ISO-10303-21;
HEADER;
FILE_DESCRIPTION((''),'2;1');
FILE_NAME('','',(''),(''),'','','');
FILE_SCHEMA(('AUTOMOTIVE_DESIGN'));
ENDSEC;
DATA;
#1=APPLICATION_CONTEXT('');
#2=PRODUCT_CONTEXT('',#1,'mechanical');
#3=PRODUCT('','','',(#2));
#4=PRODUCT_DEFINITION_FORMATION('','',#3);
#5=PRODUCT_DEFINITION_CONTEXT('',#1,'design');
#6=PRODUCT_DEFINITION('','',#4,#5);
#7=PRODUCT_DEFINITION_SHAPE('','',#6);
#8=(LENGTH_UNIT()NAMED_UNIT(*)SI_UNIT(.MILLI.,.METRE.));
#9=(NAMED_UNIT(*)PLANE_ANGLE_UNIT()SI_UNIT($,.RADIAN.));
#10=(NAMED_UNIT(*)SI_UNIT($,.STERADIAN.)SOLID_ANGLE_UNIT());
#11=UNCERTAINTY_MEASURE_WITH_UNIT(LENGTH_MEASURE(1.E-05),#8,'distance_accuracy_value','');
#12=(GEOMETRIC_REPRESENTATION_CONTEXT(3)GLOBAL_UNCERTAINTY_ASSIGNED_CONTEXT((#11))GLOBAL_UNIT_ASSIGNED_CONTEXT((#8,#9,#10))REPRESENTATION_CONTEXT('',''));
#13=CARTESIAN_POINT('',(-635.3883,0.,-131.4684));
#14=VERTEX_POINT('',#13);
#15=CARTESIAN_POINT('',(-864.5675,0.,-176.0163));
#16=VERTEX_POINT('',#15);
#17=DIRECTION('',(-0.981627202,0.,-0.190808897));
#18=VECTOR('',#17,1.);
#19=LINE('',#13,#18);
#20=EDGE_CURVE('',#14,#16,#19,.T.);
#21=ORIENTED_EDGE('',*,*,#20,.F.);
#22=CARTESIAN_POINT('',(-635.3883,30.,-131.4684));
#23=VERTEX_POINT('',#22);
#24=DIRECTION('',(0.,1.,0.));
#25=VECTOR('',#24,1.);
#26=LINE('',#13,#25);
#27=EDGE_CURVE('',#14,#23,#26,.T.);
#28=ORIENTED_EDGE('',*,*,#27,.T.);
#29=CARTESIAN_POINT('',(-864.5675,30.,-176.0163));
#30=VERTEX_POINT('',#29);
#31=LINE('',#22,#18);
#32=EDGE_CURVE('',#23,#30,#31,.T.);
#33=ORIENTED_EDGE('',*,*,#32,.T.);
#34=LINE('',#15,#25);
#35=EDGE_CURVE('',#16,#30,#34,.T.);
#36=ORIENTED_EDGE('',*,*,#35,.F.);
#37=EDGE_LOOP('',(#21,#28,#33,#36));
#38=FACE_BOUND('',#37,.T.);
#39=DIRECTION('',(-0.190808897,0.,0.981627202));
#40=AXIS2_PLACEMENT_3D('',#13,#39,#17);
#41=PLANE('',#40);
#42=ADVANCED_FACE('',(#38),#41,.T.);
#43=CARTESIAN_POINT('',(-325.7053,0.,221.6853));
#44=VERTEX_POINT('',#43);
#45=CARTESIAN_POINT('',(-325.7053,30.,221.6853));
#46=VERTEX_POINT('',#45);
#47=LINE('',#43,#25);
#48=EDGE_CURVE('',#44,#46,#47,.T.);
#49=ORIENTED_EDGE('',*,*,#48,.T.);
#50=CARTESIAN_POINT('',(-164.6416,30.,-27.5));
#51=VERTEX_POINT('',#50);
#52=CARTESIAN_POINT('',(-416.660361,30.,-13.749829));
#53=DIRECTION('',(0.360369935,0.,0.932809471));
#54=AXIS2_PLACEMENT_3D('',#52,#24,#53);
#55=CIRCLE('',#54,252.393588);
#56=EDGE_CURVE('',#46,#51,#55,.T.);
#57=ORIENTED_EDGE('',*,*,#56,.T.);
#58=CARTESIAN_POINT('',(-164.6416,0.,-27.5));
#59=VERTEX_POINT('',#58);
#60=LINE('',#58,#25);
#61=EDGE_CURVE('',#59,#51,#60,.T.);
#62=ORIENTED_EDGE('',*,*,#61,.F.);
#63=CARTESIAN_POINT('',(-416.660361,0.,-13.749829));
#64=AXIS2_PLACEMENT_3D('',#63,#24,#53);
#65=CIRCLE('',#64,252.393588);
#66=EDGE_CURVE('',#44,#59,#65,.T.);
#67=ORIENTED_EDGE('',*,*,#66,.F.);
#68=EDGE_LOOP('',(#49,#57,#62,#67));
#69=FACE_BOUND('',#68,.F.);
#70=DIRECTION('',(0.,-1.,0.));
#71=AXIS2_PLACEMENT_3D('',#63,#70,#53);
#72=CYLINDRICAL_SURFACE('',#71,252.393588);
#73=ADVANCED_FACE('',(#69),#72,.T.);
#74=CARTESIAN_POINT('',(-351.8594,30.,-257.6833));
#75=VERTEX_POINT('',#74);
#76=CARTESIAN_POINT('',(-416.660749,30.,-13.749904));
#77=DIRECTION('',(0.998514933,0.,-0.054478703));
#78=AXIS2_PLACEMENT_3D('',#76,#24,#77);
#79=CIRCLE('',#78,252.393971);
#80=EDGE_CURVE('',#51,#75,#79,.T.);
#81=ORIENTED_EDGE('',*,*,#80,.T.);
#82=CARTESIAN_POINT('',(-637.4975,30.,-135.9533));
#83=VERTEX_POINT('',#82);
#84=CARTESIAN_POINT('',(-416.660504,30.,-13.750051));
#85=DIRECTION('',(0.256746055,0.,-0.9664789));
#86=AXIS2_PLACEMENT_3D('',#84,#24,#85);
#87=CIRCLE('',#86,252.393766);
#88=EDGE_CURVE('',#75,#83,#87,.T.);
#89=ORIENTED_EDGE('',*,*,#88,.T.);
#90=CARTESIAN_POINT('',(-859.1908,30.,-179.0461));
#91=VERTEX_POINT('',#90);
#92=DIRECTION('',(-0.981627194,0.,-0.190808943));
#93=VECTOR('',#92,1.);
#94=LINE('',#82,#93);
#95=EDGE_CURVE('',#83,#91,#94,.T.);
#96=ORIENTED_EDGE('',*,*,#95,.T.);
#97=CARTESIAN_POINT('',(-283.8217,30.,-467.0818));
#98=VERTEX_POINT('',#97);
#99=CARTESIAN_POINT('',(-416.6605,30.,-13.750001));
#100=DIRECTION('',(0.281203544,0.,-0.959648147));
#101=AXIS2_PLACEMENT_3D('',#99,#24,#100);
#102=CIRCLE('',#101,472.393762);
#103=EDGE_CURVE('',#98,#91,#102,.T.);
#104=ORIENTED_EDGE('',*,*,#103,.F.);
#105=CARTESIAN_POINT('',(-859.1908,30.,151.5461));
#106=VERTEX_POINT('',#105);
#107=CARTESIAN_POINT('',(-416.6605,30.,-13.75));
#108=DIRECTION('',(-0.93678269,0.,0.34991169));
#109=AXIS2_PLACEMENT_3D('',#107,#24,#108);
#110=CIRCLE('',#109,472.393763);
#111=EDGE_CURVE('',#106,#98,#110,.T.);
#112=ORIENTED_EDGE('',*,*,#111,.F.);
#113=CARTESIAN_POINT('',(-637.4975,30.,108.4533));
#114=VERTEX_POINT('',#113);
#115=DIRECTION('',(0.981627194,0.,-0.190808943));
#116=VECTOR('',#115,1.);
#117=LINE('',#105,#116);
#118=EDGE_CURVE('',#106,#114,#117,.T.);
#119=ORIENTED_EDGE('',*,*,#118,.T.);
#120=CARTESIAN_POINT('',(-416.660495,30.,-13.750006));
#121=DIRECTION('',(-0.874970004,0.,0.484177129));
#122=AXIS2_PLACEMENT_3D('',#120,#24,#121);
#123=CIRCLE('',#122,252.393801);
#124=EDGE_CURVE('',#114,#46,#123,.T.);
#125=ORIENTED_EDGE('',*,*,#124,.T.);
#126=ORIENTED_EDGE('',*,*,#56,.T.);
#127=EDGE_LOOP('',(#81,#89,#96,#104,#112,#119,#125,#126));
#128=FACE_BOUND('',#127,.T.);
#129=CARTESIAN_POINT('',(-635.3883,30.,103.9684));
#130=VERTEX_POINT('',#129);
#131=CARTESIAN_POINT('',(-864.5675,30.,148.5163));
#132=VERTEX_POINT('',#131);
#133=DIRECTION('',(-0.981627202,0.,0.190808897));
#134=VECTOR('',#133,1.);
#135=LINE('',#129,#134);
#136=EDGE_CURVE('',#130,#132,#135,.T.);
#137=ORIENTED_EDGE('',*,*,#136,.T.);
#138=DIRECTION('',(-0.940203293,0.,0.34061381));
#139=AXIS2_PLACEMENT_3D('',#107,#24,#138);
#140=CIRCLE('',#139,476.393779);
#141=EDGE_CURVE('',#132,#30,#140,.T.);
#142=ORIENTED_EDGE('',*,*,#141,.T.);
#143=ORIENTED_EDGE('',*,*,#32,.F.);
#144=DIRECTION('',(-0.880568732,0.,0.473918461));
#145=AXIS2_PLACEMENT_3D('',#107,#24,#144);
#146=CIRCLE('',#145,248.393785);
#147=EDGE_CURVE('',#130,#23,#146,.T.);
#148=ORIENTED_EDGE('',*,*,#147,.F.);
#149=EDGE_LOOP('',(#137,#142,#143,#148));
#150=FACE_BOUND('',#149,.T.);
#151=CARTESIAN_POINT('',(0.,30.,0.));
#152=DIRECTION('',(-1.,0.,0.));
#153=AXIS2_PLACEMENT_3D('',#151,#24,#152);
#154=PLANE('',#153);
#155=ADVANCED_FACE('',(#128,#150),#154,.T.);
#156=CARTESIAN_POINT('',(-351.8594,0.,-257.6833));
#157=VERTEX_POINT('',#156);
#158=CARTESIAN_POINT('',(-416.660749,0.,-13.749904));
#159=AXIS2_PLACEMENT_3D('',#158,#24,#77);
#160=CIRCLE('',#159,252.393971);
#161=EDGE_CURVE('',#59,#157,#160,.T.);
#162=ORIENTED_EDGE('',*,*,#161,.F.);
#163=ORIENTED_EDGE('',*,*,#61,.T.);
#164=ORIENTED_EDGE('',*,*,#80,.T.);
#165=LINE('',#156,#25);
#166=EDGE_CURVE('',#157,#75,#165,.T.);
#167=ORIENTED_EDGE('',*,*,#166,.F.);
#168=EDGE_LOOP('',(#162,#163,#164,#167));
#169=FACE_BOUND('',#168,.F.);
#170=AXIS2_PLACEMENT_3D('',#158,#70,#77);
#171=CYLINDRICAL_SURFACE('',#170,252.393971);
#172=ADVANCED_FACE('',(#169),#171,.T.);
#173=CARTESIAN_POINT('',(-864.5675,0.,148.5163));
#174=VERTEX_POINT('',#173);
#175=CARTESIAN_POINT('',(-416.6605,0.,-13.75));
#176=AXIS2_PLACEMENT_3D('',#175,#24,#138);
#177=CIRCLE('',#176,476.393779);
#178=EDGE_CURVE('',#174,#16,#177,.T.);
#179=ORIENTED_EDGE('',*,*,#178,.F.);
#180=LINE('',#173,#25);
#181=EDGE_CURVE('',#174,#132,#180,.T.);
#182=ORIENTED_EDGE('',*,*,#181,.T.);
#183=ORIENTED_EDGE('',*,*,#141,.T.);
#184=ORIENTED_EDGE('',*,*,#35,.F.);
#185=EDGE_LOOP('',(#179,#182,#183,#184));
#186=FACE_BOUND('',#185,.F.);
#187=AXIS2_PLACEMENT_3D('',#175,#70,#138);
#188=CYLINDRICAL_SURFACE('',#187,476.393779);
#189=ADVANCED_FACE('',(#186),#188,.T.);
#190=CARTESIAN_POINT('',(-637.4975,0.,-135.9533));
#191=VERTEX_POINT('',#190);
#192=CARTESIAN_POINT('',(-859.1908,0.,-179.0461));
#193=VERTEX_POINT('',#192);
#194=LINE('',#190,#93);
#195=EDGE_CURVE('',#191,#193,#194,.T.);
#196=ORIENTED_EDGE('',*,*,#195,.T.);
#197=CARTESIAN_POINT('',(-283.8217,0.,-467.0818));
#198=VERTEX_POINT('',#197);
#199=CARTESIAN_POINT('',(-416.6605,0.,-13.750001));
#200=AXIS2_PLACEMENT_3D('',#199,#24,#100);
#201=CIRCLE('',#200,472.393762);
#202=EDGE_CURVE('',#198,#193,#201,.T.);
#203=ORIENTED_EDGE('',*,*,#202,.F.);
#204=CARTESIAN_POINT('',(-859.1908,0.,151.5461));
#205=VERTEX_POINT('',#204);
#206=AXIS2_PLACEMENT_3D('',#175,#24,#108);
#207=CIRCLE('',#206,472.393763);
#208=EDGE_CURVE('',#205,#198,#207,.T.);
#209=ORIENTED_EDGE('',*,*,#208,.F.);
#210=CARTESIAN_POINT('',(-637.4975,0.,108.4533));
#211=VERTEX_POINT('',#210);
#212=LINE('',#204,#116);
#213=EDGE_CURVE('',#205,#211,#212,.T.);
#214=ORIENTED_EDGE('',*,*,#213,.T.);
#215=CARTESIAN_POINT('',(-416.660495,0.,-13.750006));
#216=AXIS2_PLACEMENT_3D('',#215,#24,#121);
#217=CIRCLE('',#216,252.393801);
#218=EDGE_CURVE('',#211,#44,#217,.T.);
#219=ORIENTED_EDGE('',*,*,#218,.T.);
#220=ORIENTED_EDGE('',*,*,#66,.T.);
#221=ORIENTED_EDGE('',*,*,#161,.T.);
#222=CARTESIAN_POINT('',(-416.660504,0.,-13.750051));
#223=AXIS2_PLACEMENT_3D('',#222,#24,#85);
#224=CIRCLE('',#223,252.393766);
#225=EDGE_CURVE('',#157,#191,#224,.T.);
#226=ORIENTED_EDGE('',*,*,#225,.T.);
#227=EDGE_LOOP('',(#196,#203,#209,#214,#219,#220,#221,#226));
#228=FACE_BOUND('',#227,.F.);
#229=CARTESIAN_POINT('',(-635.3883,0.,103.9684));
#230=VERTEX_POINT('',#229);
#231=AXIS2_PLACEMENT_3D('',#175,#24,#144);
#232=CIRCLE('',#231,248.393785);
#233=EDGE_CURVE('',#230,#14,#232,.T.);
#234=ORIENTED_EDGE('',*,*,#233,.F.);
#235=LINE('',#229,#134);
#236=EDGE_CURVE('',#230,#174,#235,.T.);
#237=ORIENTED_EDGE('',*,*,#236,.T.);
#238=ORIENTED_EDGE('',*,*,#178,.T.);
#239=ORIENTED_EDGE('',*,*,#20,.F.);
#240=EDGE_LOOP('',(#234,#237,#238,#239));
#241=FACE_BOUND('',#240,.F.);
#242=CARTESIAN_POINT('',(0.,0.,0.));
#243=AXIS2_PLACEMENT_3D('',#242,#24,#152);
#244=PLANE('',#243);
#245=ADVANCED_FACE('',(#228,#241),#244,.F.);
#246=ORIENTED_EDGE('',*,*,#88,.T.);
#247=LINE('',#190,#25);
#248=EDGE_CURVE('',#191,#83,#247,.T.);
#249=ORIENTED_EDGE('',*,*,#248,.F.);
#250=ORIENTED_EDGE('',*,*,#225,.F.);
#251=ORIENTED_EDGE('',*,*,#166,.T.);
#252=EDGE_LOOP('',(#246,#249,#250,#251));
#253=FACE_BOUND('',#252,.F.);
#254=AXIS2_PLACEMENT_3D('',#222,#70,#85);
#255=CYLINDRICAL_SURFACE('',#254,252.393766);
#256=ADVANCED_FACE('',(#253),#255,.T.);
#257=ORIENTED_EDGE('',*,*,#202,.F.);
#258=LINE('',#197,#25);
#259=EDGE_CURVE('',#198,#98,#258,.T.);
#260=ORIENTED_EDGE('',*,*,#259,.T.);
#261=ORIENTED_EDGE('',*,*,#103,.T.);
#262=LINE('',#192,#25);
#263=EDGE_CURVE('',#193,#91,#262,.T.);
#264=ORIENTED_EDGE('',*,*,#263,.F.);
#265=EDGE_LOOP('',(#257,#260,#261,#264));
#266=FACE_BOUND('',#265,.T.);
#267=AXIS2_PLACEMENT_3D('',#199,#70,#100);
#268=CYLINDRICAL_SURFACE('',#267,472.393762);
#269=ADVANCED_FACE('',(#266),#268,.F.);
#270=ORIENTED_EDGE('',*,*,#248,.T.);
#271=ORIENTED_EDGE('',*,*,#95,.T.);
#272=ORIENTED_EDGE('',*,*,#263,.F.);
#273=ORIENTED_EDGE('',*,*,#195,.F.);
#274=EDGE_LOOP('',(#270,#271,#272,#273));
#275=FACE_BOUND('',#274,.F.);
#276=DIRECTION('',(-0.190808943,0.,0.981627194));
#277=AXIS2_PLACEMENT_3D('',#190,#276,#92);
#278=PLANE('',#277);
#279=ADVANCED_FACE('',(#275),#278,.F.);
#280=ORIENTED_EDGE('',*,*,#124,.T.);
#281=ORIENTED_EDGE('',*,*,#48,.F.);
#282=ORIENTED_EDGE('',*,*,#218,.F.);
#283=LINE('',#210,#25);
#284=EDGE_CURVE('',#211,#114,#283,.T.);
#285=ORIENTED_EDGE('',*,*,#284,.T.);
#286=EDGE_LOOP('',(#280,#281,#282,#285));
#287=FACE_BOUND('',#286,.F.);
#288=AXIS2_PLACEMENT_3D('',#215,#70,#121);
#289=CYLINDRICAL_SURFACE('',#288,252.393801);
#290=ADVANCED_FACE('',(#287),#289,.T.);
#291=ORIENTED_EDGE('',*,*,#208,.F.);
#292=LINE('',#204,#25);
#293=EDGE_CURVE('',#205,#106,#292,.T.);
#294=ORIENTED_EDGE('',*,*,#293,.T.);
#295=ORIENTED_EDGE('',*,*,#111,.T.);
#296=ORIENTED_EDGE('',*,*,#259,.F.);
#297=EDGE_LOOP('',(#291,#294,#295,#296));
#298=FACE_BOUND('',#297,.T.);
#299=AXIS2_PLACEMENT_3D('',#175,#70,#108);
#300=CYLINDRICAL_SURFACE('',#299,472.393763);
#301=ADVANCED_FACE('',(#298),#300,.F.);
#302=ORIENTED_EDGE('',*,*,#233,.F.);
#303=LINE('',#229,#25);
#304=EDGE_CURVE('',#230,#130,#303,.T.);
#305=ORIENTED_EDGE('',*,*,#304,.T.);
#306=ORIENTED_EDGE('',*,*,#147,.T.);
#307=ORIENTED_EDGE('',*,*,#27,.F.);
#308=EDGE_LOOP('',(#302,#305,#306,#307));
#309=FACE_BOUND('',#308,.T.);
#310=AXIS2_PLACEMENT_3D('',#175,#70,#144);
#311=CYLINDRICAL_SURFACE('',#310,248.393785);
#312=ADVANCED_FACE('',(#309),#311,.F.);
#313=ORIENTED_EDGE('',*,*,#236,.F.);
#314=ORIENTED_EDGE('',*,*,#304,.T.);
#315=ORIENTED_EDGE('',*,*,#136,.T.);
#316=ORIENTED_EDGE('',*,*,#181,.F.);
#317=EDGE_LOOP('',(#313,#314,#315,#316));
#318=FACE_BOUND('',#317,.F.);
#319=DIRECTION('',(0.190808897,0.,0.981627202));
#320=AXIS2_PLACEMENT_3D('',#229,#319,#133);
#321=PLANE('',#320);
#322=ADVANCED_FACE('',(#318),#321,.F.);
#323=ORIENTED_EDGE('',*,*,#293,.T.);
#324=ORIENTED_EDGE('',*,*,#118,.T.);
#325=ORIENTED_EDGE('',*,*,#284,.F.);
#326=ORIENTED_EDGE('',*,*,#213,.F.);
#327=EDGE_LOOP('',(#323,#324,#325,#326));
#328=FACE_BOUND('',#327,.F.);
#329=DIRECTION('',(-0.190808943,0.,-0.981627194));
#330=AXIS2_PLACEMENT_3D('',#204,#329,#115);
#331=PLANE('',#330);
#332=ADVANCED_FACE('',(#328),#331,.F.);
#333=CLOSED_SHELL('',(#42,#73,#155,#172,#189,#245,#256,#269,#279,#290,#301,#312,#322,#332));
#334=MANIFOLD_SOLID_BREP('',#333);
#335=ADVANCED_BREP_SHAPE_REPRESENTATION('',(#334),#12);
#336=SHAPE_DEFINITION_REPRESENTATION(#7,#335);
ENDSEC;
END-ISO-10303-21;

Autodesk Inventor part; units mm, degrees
ref_plane "YZ Plane" through (0, 0, 0) normal (1, 0, 0) x (0, 1, 0)
ref_plane "XZ Plane" through (0, 0, 0) normal (0, 1, 0) x (-1, 0, 0)
ref_plane "XY Plane" through (0, 0, 0) normal (0, 0, 1) x (1, 0, 0)
sketch "Sketch1" plane through (0, 0, 0) normal (0, 1, 0) x (-1, 0, 0)
  arc A0 (164.6416, -27.5) -> (351.8594, -257.6833) centre (416.6605, -13.75) ccw
  arc A1 (351.8594, -257.6833) -> (637.4975, -135.9533) centre (416.6605, -13.75) ccw
  arc A2 (637.4975, 108.4533) -> (325.7053, 221.6853) centre (416.6605, -13.75) ccw
  arc A3 (325.7053, 221.6853) -> (164.6416, -27.5) centre (416.6605, -13.75) ccw
  line L0 (859.1908, 151.5461) -> (637.4975, 108.4533)
  line L1 (637.4975, -135.9533) -> (859.1908, -179.0461)
  arc A4 (283.8217, -467.0818) -> (859.1908, -179.0461) centre (416.6605, -13.75) ccw
  arc A5 (637.4975, 108.4533) -> (637.4975, -135.9533) centre (416.6605, -13.75) ccw
  arc A6 (859.1908, 151.5461) -> (859.1908, -179.0461) centre (416.6605, -13.75) ccw
  arc A7 (864.5675, 148.5163) -> (864.5675, -176.0163) centre (416.6605, -13.75) ccw
  arc A8 (635.3883, 103.9684) -> (635.3883, -131.4684) centre (416.6605, -13.75) ccw
  line L2 (635.3883, -131.4684) -> (864.5675, -176.0163)
  line L3 (635.3883, 103.9684) -> (864.5675, 148.5163)
  point P0 (0, 0)
  point P1 (283.8217, -467.0818)
  dimension "d0" = 4
  dimension "d1" = 4
  dimension "d2" = 4
  dimension "d3" = 4
extrude "Extrusion1" add sketch "Sketch1" along normal blind 30
properties part number "Level 3 Edge Banding"
